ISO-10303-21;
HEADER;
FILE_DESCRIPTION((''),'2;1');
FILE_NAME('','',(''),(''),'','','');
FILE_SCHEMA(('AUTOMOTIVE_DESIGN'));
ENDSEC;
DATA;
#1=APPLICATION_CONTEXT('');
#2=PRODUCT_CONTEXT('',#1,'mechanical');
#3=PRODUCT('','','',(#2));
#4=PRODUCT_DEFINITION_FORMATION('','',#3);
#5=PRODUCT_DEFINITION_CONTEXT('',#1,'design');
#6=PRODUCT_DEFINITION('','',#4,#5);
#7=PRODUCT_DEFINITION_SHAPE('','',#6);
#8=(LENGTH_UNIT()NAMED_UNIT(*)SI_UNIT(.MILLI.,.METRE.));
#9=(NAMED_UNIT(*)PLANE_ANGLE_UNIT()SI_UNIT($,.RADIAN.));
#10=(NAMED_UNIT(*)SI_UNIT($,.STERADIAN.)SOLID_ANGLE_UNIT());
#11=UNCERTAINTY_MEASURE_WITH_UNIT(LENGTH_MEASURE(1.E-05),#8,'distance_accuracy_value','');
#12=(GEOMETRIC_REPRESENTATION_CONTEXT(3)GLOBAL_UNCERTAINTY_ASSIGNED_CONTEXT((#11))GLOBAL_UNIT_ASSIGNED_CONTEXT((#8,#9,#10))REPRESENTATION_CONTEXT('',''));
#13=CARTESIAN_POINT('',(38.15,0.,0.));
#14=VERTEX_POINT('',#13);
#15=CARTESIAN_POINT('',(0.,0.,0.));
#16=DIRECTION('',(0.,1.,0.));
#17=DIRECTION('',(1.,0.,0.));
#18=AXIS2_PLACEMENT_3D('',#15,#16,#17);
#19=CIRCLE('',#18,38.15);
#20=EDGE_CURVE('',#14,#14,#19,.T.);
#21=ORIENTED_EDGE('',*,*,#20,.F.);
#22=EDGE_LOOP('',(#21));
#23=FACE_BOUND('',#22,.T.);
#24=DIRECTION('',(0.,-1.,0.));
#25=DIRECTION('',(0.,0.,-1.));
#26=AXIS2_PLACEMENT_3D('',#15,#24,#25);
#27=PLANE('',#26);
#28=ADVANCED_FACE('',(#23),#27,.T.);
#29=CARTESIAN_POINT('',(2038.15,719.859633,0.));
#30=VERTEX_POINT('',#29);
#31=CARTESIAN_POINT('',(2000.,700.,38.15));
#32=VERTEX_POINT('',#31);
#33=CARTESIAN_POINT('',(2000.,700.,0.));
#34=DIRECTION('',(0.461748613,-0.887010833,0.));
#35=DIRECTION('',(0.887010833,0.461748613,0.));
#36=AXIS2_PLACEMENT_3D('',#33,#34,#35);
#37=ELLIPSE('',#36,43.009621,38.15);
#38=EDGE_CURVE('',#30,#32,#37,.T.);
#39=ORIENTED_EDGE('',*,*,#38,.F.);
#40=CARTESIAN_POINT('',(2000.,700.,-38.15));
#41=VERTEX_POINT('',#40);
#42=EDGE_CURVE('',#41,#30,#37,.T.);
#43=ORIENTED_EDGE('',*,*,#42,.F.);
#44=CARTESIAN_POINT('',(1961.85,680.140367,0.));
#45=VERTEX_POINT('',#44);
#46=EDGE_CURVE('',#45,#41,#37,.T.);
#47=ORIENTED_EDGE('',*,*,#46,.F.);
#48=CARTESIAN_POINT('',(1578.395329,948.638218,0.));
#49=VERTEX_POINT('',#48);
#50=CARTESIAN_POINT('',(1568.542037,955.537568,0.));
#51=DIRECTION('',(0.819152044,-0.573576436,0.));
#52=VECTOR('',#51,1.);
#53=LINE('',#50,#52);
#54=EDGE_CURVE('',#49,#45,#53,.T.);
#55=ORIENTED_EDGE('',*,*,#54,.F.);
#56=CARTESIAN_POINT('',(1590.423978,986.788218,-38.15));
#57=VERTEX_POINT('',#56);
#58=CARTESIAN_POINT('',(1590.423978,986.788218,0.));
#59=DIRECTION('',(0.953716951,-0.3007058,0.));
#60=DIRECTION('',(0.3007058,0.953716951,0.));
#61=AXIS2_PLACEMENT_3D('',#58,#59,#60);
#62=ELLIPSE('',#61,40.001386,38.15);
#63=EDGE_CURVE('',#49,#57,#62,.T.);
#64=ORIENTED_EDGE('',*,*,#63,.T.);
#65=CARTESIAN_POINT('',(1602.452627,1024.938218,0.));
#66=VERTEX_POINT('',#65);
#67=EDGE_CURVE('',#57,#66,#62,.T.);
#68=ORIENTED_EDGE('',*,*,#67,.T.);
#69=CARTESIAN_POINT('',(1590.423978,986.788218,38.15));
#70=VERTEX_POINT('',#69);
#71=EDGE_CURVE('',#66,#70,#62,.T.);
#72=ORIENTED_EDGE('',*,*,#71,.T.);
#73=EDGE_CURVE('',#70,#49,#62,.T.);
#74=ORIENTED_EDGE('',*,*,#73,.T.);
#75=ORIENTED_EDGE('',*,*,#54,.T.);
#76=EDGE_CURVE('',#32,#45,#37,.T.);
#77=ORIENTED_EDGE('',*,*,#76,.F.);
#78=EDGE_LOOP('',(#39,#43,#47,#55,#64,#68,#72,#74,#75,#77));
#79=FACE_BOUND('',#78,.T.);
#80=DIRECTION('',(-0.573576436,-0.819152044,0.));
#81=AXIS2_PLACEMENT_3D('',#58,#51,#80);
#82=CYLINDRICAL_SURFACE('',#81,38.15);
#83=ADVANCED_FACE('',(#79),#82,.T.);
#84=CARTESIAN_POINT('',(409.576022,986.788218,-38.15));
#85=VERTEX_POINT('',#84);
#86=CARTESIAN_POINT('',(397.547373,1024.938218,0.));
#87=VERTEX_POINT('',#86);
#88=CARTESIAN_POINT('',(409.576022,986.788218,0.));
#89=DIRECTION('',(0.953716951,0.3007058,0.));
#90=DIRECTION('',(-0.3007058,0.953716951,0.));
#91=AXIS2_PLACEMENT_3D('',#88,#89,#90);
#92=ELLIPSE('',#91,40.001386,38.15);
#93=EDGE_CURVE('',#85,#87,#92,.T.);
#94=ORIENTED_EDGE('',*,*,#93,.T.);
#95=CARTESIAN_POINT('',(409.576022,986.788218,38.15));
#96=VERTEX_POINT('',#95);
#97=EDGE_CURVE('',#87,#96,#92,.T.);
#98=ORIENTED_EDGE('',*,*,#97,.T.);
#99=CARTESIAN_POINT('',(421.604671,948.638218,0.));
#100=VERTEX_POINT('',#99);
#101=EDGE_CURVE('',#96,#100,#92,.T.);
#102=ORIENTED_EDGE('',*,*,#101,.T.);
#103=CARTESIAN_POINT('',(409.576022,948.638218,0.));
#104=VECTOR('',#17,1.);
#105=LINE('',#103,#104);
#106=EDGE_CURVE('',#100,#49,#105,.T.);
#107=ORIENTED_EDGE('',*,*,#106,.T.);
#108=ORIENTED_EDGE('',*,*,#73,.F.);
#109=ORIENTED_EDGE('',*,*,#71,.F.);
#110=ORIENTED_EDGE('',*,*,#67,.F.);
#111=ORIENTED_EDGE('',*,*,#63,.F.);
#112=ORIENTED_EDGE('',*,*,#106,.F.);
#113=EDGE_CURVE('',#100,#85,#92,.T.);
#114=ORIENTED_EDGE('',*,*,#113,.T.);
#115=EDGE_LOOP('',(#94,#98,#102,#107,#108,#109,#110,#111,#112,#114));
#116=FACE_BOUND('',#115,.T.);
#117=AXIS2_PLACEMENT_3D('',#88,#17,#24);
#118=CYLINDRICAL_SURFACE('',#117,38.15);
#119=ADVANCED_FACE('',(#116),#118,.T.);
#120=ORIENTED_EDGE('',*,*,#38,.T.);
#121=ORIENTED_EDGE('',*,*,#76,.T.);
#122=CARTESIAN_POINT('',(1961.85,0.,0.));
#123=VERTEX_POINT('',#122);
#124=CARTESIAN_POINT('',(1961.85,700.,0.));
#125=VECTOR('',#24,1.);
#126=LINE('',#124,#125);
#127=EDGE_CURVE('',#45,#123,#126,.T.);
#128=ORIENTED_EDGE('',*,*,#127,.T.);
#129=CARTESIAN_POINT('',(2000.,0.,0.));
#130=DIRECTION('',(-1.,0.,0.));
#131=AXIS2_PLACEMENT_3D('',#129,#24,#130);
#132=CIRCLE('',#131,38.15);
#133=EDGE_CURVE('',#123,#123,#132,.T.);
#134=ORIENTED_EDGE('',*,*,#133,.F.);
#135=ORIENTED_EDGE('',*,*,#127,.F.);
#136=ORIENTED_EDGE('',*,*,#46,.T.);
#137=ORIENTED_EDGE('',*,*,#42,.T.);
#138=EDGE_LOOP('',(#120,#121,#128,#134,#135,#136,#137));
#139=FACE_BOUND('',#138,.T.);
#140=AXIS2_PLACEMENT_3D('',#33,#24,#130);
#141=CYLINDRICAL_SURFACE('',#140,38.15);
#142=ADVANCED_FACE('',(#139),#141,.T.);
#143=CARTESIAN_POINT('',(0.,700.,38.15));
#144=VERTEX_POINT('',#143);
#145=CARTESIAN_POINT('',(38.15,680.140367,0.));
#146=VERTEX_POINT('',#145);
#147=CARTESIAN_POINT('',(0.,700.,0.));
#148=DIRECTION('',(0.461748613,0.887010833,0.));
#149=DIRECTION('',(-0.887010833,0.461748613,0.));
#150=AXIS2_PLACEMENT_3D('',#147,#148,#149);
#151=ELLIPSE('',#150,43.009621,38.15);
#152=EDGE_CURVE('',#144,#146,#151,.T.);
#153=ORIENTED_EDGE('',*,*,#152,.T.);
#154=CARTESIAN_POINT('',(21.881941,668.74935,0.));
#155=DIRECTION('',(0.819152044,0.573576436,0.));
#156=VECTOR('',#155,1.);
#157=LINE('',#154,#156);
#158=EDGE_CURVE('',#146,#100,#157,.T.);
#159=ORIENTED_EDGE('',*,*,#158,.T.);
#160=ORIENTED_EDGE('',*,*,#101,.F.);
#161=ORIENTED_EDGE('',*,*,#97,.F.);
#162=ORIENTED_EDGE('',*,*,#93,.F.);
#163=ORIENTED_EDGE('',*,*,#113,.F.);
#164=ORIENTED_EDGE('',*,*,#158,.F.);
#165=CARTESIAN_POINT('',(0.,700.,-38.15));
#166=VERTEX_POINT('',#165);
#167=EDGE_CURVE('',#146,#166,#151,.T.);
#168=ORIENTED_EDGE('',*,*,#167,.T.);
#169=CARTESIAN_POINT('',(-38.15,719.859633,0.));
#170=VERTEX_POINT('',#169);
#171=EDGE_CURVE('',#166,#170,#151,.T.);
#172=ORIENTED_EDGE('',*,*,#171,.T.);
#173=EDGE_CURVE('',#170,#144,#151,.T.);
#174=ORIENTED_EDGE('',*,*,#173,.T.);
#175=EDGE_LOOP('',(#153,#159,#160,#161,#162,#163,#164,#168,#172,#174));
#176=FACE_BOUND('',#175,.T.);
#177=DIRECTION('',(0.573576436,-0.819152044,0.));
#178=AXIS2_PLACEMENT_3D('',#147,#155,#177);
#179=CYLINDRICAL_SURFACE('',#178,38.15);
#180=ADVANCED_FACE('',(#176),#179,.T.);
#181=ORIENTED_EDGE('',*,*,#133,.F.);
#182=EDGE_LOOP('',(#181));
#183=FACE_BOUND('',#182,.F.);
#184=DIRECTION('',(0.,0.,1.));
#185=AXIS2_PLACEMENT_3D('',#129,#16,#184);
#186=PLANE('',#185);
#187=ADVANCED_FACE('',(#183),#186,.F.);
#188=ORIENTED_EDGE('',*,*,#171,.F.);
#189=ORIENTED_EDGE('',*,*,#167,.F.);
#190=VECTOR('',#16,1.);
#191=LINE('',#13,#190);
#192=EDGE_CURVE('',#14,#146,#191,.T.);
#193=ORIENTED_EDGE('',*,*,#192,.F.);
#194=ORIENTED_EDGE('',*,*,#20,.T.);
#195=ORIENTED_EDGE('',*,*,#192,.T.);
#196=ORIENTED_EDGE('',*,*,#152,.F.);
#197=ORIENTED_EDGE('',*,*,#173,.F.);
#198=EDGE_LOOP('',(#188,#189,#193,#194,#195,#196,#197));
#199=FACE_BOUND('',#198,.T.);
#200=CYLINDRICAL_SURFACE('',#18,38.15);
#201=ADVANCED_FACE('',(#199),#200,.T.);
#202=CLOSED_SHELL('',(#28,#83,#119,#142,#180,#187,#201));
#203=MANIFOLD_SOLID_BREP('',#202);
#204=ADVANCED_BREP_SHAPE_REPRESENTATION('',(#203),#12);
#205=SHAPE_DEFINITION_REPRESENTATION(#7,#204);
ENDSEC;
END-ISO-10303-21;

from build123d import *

# Parameters (mm, degrees)
F1_R = 38.15


with BuildPart() as f2:
    # F2: sweep along a path in F0
    with BuildLine(Plane.XY) as f2_path:
        Line((0, 0), (0, 700))
        Line((0, 700), (409.5760221445, 986.7882181755))
        Line((409.5760221445, 986.7882181755), (1590.4239778555, 986.7882181755))
        Line((1590.4239778555, 986.7882181755), (2000, 700))
        Line((2000, 700), (2000, 0))
    # F1 (on Front) → F2 (sweep)
    with BuildSketch(Plane.XZ):
        Circle(F1_R)
    sweep(path=f2_path.line, transition=Transition.RIGHT)


solid = f2.part
